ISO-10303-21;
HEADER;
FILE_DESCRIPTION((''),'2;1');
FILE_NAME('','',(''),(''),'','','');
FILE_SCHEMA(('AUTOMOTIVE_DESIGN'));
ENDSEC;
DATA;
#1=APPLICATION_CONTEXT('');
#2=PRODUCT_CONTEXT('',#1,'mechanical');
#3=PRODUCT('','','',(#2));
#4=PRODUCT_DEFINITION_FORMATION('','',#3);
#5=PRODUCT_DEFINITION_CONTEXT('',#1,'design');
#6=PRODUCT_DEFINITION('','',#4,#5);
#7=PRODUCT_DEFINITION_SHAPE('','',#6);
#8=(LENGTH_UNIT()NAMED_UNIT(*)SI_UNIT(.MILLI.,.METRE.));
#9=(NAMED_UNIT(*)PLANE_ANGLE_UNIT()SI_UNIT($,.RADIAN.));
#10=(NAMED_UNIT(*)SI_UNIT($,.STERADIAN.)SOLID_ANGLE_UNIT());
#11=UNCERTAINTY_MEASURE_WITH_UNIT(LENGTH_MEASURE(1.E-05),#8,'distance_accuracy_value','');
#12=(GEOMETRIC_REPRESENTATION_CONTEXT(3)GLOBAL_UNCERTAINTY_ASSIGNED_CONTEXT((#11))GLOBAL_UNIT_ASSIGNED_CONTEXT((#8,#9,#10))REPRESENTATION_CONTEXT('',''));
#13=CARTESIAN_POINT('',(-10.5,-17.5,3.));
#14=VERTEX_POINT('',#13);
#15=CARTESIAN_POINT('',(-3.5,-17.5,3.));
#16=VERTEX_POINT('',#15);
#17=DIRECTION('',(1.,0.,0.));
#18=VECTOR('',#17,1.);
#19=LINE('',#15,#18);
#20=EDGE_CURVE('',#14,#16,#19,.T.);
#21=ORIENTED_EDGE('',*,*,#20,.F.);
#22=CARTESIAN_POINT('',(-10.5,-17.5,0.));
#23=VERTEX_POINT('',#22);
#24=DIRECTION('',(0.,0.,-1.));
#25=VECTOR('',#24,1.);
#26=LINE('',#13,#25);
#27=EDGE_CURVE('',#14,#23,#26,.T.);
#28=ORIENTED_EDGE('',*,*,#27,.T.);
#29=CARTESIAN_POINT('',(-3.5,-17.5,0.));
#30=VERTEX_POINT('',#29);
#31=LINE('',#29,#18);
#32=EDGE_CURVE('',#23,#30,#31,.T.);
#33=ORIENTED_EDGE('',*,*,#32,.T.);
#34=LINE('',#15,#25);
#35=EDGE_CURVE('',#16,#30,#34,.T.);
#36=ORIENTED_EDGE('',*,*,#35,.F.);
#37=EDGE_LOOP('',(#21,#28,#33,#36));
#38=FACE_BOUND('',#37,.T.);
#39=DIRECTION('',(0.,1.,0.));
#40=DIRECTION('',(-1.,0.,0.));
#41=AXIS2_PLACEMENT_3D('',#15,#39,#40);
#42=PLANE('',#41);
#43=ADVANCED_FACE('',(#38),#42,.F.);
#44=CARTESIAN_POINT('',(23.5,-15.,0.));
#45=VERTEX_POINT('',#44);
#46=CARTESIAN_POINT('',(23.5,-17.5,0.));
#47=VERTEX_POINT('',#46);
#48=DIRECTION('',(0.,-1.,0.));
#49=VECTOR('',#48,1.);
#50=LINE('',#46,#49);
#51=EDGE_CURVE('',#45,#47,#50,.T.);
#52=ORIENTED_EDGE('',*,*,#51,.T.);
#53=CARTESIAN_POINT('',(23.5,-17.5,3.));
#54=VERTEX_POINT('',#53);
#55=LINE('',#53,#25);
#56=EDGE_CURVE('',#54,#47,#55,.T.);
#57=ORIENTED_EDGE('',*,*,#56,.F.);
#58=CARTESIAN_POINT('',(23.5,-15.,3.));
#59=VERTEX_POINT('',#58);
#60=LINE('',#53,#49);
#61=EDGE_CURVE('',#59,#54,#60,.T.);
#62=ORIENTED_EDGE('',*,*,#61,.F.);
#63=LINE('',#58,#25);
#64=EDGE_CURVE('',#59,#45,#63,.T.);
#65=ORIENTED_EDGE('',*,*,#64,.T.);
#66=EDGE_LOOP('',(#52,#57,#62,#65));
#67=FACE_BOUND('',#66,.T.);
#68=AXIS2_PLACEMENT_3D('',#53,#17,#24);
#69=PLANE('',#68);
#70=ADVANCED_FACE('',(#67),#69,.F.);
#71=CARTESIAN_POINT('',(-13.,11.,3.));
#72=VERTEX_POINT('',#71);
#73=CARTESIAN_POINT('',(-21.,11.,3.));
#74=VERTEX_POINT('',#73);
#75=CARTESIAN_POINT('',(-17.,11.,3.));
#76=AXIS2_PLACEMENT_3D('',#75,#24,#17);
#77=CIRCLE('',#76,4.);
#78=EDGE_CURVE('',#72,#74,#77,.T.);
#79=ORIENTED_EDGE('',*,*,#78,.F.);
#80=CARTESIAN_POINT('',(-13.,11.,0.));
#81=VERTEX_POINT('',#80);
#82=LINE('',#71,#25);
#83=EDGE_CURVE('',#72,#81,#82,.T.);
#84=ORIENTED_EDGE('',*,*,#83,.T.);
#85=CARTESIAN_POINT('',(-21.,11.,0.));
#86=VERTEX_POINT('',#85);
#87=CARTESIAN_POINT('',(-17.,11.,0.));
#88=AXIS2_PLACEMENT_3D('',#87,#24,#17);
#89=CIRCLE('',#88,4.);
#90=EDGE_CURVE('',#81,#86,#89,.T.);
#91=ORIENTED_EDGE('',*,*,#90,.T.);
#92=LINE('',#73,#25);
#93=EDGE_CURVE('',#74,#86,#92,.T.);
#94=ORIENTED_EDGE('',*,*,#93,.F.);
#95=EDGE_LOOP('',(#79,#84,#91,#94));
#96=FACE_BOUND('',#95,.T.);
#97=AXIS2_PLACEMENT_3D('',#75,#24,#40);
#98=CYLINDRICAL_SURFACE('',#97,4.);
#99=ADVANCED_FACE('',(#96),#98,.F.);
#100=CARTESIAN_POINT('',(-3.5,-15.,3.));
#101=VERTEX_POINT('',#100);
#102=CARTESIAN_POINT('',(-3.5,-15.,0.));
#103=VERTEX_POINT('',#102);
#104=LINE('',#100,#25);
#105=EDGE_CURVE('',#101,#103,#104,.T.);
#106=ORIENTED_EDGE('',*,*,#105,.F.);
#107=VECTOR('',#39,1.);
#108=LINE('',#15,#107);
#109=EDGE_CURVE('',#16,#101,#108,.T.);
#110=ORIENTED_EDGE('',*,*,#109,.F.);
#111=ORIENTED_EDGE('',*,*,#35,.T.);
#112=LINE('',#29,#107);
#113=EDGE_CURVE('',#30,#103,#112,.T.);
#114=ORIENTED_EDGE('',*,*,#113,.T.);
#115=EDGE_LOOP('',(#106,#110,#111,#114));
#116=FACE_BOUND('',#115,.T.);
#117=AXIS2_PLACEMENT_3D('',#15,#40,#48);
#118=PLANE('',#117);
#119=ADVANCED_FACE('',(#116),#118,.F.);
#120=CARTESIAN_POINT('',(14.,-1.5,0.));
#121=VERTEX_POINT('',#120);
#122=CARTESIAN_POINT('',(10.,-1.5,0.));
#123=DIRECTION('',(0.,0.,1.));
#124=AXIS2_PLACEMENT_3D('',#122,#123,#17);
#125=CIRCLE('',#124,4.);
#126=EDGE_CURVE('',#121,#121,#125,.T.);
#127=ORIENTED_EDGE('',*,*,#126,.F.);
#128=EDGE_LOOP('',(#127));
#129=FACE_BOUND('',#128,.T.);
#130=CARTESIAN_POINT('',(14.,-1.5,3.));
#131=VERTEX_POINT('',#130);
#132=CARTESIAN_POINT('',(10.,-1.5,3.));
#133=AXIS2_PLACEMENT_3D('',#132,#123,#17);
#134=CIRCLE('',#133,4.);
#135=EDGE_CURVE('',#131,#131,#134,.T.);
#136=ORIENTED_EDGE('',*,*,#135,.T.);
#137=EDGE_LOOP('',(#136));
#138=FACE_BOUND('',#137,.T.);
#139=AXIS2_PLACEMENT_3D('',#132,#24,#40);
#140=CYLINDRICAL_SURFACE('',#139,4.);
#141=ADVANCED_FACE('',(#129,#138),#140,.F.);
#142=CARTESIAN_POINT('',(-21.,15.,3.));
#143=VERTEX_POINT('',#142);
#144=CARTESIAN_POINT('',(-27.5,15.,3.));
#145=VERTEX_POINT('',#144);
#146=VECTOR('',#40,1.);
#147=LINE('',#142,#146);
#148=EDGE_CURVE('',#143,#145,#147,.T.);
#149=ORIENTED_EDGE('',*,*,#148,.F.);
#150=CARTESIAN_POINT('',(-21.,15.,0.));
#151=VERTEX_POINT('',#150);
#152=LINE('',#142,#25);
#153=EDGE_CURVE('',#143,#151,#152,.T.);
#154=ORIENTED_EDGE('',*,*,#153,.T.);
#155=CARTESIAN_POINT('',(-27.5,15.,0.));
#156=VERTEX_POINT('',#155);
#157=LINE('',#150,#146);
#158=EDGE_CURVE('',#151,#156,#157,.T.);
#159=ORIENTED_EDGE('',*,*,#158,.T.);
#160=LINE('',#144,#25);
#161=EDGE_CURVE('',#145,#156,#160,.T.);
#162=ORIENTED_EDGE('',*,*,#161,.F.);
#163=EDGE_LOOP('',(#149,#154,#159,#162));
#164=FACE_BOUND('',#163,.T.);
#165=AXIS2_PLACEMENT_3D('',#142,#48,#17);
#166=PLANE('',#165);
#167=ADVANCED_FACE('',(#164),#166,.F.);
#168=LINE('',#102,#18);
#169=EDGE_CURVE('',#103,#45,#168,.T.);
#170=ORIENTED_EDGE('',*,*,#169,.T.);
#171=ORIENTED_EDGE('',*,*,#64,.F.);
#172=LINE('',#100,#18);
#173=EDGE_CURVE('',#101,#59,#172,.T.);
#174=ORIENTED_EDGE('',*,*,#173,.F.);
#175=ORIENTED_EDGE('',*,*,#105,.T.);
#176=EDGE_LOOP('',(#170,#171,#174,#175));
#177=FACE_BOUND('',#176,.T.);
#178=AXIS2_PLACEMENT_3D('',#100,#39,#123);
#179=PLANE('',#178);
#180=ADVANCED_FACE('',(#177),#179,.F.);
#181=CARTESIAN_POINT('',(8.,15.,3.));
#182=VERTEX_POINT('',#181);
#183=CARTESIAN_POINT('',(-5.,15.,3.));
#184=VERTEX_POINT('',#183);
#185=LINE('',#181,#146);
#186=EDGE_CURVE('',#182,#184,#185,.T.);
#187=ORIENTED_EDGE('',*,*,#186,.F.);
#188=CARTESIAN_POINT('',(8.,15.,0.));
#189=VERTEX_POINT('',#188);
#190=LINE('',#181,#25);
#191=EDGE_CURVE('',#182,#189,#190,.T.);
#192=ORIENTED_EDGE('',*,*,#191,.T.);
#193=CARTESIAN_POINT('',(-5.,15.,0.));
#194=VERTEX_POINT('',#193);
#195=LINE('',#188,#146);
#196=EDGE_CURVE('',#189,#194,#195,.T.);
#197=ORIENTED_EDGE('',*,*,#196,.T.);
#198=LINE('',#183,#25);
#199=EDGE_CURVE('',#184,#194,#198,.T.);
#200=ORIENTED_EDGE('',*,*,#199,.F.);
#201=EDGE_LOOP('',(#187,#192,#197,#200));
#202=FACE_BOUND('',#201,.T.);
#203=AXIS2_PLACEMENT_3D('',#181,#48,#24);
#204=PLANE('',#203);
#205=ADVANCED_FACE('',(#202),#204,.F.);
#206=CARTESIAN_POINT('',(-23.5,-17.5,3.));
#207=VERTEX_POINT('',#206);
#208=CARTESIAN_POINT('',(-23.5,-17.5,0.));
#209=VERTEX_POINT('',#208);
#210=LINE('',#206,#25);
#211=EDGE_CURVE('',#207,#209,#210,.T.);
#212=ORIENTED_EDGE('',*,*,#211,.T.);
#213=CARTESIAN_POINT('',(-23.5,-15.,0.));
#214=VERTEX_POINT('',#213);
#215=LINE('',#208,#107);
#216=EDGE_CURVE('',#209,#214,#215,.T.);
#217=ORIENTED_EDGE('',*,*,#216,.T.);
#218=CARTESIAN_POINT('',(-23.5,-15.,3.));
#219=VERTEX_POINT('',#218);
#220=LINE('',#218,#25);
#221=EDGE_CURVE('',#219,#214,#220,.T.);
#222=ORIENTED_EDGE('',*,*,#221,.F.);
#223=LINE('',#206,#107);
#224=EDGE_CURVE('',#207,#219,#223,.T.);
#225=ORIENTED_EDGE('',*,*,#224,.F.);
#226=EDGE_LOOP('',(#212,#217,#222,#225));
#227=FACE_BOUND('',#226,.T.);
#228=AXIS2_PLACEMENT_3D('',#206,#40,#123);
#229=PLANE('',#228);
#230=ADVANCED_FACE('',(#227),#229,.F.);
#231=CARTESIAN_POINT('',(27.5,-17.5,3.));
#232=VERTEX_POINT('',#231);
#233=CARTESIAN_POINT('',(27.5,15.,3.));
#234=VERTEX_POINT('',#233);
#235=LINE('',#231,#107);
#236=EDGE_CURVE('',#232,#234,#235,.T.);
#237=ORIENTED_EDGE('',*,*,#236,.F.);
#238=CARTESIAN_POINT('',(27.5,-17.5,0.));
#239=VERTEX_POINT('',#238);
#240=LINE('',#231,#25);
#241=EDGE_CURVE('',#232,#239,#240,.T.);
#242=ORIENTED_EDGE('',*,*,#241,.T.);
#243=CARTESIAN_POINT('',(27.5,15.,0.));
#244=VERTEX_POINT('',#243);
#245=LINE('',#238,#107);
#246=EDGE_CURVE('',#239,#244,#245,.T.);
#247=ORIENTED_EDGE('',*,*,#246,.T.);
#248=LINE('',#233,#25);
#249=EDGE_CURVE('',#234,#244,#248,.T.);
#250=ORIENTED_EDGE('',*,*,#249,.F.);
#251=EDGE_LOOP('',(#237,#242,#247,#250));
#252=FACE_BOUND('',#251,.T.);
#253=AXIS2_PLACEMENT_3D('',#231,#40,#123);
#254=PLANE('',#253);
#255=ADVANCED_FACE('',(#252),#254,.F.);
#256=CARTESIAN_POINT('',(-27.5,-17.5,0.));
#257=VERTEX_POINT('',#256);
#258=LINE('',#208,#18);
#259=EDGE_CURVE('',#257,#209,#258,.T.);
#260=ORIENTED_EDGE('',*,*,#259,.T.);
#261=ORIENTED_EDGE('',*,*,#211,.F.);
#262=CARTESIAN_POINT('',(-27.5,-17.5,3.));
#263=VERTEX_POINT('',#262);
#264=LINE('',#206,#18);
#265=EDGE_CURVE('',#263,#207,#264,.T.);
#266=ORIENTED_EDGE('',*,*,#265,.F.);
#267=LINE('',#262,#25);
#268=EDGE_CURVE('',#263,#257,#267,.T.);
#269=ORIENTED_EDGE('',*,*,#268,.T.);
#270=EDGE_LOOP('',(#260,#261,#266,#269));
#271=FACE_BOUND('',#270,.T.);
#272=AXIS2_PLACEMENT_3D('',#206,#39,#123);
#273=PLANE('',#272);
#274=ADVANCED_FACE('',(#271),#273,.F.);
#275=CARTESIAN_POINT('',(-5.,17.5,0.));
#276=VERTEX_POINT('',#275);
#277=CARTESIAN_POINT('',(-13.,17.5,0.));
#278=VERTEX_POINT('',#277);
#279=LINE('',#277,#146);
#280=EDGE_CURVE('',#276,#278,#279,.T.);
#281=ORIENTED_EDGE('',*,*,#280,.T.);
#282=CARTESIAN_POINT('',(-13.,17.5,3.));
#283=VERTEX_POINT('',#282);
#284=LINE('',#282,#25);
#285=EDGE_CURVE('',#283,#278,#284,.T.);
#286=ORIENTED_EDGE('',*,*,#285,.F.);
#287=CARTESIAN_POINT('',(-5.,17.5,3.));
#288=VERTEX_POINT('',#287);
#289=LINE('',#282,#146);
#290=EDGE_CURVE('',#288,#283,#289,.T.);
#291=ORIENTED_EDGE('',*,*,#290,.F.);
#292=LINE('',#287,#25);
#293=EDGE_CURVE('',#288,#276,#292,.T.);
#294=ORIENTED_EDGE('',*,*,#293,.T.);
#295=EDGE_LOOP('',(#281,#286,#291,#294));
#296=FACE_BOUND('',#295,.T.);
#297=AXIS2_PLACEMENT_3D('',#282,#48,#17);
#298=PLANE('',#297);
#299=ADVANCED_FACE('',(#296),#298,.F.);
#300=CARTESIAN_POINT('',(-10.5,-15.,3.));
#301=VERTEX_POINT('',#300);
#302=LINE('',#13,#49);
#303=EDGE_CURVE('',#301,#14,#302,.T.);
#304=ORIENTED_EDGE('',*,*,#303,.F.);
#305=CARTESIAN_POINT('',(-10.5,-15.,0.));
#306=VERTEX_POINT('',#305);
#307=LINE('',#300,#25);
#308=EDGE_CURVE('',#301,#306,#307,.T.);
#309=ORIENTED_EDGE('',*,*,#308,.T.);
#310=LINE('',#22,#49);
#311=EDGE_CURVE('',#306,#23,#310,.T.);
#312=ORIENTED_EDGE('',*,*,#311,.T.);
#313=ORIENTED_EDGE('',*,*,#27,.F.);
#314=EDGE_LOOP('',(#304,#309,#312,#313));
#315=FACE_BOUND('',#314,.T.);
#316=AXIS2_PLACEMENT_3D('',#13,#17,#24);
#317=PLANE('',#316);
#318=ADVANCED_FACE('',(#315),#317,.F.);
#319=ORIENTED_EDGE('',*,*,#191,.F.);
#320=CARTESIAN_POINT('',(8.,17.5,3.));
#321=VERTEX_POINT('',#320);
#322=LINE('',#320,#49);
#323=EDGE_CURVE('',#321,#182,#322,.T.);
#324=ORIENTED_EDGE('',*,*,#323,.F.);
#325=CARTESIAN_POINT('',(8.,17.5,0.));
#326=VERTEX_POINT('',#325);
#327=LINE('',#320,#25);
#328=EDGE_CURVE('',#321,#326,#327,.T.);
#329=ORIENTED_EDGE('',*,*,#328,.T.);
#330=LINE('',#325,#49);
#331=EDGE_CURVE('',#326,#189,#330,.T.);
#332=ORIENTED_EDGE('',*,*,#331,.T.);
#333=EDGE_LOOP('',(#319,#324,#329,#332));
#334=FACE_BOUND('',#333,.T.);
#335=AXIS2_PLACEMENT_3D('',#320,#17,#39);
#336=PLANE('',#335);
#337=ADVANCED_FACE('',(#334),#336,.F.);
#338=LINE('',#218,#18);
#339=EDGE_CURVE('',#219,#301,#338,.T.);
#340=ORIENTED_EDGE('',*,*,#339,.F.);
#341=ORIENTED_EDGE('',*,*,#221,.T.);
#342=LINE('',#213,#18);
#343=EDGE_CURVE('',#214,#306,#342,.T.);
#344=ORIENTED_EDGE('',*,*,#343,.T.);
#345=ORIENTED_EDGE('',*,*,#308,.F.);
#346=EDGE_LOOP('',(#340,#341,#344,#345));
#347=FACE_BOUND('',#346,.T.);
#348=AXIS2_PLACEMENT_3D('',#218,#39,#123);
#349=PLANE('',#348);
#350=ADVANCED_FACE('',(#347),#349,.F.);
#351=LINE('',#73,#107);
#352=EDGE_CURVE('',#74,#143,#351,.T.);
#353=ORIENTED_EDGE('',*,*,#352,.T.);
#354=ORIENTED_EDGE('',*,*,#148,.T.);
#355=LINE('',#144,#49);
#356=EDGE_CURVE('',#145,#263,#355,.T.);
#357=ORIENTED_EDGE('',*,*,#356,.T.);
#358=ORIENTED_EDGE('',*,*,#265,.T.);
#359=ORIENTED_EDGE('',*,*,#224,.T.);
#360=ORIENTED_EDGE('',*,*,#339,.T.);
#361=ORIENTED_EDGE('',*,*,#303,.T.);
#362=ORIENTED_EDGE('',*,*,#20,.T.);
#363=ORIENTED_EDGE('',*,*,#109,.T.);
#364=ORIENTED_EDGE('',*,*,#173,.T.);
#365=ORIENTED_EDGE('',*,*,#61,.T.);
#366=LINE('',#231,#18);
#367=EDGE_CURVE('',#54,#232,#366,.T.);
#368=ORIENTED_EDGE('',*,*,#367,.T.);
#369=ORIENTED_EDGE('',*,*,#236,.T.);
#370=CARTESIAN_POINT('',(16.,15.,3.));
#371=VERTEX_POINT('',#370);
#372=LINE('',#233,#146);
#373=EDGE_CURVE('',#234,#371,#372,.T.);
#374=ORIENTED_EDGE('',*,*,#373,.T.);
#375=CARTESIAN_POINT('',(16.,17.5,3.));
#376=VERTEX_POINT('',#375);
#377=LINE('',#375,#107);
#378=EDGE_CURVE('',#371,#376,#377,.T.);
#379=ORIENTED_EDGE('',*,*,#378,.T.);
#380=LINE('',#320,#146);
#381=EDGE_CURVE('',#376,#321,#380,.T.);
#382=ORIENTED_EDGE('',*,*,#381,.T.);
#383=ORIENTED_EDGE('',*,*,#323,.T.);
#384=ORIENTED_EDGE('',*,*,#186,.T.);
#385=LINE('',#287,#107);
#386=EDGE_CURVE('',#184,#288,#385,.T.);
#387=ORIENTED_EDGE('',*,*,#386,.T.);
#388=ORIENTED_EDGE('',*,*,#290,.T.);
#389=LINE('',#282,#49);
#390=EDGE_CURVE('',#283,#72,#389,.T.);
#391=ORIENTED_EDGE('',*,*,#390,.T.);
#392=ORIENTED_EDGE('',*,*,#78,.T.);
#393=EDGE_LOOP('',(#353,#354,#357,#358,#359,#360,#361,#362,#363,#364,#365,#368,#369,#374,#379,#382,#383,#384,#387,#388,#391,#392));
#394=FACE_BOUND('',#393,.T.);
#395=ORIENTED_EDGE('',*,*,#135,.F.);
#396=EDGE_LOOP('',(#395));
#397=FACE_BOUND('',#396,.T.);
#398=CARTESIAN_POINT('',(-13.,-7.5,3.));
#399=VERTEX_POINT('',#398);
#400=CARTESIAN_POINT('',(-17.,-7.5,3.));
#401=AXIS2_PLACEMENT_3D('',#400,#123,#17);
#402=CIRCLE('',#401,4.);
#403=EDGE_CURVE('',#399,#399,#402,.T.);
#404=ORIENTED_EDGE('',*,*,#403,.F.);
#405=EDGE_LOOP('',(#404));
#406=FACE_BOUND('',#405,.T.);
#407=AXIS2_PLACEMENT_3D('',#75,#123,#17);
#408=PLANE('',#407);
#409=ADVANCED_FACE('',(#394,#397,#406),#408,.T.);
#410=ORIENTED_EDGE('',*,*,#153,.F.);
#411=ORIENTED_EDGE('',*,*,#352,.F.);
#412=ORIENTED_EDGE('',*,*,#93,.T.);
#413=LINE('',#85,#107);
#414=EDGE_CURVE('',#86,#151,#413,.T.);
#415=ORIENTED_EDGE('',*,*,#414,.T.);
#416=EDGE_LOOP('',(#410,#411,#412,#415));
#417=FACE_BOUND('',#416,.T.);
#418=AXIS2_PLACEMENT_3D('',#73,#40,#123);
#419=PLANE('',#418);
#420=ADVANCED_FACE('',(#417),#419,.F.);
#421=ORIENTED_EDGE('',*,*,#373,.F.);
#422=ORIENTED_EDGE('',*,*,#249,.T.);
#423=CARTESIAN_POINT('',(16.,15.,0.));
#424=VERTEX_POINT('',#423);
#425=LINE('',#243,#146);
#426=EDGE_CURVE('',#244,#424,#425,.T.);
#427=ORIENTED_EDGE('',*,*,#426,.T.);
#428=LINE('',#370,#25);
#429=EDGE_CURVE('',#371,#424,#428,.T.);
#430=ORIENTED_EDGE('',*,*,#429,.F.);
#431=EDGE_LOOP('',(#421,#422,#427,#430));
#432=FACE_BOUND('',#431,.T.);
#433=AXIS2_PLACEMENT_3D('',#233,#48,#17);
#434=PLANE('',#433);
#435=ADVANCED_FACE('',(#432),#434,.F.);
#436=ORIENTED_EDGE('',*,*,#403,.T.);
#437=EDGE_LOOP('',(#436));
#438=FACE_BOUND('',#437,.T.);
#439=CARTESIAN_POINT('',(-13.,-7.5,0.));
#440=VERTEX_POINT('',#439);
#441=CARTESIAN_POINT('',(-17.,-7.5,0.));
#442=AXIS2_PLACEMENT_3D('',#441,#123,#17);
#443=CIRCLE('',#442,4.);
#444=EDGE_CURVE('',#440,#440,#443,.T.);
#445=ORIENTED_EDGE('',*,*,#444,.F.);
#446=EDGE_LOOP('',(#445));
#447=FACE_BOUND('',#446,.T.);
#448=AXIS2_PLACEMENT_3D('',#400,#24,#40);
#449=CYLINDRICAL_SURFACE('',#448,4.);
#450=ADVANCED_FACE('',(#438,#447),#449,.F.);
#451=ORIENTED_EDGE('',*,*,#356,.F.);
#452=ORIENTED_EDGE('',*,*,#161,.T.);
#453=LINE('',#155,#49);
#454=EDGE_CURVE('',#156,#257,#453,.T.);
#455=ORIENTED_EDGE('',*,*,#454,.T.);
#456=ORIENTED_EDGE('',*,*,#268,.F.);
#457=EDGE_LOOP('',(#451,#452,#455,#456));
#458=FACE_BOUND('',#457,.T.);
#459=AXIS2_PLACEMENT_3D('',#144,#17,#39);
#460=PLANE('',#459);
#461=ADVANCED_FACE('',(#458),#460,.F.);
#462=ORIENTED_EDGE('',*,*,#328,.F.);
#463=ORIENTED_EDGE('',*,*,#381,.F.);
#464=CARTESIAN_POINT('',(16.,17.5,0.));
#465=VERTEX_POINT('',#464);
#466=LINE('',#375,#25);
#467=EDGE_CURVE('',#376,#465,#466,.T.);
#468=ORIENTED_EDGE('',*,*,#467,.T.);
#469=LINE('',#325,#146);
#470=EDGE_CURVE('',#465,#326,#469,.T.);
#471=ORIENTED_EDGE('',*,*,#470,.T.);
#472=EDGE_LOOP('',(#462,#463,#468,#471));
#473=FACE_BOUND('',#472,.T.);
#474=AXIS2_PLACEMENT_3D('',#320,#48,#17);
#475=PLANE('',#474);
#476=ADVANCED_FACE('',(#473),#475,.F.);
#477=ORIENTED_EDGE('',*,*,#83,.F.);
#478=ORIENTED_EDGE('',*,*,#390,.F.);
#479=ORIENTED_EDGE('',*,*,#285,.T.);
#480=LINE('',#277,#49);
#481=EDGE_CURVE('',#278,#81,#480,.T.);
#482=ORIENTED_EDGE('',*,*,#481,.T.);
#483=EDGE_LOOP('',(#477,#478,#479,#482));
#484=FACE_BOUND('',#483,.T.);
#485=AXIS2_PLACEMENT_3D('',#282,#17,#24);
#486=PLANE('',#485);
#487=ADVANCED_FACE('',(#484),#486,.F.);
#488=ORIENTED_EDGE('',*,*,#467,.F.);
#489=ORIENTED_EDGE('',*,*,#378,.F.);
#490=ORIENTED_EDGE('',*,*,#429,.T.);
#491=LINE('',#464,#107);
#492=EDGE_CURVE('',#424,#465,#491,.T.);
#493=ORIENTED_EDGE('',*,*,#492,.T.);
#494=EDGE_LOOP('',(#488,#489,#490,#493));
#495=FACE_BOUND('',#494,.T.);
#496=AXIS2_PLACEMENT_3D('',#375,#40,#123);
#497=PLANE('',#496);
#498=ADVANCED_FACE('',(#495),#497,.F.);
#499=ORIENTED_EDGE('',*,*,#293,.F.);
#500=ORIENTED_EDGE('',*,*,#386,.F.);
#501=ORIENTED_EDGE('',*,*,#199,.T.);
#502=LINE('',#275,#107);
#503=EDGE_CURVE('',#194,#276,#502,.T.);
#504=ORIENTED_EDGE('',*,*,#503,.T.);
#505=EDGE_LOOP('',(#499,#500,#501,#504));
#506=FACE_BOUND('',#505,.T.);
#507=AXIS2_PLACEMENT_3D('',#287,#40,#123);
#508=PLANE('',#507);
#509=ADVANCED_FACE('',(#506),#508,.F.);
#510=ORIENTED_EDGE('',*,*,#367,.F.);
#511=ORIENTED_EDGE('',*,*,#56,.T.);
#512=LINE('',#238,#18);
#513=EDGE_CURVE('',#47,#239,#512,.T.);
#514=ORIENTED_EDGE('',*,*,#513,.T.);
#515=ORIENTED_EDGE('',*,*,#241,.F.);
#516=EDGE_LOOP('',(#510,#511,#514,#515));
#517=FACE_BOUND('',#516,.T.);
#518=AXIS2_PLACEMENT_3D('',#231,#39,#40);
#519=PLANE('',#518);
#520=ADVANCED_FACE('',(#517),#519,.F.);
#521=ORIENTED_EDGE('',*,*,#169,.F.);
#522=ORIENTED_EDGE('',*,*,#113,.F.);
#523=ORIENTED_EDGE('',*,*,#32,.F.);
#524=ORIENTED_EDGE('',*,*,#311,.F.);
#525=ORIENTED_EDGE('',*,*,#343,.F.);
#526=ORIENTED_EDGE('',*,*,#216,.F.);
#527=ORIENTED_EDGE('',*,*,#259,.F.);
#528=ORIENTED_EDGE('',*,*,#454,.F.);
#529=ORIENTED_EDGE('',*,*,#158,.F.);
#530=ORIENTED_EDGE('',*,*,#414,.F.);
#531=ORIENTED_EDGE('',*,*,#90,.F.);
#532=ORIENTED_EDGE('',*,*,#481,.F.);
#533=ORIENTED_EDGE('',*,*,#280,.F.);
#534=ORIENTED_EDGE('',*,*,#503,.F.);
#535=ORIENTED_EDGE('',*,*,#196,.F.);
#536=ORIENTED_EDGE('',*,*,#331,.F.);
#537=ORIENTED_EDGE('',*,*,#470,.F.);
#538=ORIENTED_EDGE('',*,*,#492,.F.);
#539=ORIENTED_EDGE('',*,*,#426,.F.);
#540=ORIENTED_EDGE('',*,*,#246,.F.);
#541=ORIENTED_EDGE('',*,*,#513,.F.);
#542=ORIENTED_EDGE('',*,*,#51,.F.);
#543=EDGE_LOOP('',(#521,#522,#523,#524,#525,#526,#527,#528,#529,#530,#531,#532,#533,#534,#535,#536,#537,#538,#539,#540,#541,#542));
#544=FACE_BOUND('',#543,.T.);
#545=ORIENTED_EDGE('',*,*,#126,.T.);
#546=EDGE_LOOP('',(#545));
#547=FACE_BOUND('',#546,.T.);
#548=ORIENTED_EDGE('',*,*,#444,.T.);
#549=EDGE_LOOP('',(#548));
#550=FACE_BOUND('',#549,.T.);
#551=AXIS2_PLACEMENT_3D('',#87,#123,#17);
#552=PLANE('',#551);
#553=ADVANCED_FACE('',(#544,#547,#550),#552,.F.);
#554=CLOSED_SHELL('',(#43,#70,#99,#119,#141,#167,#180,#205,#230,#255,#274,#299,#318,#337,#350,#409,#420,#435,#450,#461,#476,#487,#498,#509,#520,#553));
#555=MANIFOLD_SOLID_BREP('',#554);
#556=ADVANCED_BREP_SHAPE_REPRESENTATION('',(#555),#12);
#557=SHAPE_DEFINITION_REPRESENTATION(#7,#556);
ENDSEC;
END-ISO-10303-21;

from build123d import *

# Parameters (mm, degrees)
ESQUISSE1_R        = 4
BOSS_EXTRU_1_DEPTH = 3


with BuildPart() as part:
    # Esquisse1 → Boss.-Extru.1 (new body)
    with BuildSketch(Plane.XY):
        with BuildLine():
            Line((-21, 15), (-27.5, 15))
            Line((-27.5, 15), (-27.5, -17.5))
            Line((-27.5, -17.5), (-23.5, -17.5))
            Line((-23.5, -17.5), (-23.5, -15))
            Line((-23.5, -15), (-10.5, -15))
            Line((-10.5, -15), (-10.5, -17.5))
            Line((-10.5, -17.5), (-3.5, -17.5))
            Line((-3.5, -17.5), (-3.5, -15))
            Line((-3.5, -15), (23.5, -15))
            Line((23.5, -15), (23.5, -17.5))
            Line((23.5, -17.5), (27.5, -17.5))
            Line((27.5, -17.5), (27.5, 15))
            Line((27.5, 15), (16, 15))
            Line((16, 15), (16, 17.5))
            Line((16, 17.5), (8, 17.5))
            Line((8, 17.5), (8, 15))
            Line((8, 15), (-5, 15))
            Line((-5, 15), (-5, 17.5))
            Line((-5, 17.5), (-13, 17.5))
            Line((-13, 17.5), (-13, 11))
            ThreePointArc((-13, 11), (-17, 7), (-21, 11))
            Line((-21, 11), (-21, 15))
        make_face()
        with Locations((10, -1.5)):
            Circle(ESQUISSE1_R, mode=Mode.SUBTRACT)
        with Locations((-17, -7.5)):
            Circle(ESQUISSE1_R, mode=Mode.SUBTRACT)
    extrude(amount=BOSS_EXTRU_1_DEPTH)


solid = part.part
